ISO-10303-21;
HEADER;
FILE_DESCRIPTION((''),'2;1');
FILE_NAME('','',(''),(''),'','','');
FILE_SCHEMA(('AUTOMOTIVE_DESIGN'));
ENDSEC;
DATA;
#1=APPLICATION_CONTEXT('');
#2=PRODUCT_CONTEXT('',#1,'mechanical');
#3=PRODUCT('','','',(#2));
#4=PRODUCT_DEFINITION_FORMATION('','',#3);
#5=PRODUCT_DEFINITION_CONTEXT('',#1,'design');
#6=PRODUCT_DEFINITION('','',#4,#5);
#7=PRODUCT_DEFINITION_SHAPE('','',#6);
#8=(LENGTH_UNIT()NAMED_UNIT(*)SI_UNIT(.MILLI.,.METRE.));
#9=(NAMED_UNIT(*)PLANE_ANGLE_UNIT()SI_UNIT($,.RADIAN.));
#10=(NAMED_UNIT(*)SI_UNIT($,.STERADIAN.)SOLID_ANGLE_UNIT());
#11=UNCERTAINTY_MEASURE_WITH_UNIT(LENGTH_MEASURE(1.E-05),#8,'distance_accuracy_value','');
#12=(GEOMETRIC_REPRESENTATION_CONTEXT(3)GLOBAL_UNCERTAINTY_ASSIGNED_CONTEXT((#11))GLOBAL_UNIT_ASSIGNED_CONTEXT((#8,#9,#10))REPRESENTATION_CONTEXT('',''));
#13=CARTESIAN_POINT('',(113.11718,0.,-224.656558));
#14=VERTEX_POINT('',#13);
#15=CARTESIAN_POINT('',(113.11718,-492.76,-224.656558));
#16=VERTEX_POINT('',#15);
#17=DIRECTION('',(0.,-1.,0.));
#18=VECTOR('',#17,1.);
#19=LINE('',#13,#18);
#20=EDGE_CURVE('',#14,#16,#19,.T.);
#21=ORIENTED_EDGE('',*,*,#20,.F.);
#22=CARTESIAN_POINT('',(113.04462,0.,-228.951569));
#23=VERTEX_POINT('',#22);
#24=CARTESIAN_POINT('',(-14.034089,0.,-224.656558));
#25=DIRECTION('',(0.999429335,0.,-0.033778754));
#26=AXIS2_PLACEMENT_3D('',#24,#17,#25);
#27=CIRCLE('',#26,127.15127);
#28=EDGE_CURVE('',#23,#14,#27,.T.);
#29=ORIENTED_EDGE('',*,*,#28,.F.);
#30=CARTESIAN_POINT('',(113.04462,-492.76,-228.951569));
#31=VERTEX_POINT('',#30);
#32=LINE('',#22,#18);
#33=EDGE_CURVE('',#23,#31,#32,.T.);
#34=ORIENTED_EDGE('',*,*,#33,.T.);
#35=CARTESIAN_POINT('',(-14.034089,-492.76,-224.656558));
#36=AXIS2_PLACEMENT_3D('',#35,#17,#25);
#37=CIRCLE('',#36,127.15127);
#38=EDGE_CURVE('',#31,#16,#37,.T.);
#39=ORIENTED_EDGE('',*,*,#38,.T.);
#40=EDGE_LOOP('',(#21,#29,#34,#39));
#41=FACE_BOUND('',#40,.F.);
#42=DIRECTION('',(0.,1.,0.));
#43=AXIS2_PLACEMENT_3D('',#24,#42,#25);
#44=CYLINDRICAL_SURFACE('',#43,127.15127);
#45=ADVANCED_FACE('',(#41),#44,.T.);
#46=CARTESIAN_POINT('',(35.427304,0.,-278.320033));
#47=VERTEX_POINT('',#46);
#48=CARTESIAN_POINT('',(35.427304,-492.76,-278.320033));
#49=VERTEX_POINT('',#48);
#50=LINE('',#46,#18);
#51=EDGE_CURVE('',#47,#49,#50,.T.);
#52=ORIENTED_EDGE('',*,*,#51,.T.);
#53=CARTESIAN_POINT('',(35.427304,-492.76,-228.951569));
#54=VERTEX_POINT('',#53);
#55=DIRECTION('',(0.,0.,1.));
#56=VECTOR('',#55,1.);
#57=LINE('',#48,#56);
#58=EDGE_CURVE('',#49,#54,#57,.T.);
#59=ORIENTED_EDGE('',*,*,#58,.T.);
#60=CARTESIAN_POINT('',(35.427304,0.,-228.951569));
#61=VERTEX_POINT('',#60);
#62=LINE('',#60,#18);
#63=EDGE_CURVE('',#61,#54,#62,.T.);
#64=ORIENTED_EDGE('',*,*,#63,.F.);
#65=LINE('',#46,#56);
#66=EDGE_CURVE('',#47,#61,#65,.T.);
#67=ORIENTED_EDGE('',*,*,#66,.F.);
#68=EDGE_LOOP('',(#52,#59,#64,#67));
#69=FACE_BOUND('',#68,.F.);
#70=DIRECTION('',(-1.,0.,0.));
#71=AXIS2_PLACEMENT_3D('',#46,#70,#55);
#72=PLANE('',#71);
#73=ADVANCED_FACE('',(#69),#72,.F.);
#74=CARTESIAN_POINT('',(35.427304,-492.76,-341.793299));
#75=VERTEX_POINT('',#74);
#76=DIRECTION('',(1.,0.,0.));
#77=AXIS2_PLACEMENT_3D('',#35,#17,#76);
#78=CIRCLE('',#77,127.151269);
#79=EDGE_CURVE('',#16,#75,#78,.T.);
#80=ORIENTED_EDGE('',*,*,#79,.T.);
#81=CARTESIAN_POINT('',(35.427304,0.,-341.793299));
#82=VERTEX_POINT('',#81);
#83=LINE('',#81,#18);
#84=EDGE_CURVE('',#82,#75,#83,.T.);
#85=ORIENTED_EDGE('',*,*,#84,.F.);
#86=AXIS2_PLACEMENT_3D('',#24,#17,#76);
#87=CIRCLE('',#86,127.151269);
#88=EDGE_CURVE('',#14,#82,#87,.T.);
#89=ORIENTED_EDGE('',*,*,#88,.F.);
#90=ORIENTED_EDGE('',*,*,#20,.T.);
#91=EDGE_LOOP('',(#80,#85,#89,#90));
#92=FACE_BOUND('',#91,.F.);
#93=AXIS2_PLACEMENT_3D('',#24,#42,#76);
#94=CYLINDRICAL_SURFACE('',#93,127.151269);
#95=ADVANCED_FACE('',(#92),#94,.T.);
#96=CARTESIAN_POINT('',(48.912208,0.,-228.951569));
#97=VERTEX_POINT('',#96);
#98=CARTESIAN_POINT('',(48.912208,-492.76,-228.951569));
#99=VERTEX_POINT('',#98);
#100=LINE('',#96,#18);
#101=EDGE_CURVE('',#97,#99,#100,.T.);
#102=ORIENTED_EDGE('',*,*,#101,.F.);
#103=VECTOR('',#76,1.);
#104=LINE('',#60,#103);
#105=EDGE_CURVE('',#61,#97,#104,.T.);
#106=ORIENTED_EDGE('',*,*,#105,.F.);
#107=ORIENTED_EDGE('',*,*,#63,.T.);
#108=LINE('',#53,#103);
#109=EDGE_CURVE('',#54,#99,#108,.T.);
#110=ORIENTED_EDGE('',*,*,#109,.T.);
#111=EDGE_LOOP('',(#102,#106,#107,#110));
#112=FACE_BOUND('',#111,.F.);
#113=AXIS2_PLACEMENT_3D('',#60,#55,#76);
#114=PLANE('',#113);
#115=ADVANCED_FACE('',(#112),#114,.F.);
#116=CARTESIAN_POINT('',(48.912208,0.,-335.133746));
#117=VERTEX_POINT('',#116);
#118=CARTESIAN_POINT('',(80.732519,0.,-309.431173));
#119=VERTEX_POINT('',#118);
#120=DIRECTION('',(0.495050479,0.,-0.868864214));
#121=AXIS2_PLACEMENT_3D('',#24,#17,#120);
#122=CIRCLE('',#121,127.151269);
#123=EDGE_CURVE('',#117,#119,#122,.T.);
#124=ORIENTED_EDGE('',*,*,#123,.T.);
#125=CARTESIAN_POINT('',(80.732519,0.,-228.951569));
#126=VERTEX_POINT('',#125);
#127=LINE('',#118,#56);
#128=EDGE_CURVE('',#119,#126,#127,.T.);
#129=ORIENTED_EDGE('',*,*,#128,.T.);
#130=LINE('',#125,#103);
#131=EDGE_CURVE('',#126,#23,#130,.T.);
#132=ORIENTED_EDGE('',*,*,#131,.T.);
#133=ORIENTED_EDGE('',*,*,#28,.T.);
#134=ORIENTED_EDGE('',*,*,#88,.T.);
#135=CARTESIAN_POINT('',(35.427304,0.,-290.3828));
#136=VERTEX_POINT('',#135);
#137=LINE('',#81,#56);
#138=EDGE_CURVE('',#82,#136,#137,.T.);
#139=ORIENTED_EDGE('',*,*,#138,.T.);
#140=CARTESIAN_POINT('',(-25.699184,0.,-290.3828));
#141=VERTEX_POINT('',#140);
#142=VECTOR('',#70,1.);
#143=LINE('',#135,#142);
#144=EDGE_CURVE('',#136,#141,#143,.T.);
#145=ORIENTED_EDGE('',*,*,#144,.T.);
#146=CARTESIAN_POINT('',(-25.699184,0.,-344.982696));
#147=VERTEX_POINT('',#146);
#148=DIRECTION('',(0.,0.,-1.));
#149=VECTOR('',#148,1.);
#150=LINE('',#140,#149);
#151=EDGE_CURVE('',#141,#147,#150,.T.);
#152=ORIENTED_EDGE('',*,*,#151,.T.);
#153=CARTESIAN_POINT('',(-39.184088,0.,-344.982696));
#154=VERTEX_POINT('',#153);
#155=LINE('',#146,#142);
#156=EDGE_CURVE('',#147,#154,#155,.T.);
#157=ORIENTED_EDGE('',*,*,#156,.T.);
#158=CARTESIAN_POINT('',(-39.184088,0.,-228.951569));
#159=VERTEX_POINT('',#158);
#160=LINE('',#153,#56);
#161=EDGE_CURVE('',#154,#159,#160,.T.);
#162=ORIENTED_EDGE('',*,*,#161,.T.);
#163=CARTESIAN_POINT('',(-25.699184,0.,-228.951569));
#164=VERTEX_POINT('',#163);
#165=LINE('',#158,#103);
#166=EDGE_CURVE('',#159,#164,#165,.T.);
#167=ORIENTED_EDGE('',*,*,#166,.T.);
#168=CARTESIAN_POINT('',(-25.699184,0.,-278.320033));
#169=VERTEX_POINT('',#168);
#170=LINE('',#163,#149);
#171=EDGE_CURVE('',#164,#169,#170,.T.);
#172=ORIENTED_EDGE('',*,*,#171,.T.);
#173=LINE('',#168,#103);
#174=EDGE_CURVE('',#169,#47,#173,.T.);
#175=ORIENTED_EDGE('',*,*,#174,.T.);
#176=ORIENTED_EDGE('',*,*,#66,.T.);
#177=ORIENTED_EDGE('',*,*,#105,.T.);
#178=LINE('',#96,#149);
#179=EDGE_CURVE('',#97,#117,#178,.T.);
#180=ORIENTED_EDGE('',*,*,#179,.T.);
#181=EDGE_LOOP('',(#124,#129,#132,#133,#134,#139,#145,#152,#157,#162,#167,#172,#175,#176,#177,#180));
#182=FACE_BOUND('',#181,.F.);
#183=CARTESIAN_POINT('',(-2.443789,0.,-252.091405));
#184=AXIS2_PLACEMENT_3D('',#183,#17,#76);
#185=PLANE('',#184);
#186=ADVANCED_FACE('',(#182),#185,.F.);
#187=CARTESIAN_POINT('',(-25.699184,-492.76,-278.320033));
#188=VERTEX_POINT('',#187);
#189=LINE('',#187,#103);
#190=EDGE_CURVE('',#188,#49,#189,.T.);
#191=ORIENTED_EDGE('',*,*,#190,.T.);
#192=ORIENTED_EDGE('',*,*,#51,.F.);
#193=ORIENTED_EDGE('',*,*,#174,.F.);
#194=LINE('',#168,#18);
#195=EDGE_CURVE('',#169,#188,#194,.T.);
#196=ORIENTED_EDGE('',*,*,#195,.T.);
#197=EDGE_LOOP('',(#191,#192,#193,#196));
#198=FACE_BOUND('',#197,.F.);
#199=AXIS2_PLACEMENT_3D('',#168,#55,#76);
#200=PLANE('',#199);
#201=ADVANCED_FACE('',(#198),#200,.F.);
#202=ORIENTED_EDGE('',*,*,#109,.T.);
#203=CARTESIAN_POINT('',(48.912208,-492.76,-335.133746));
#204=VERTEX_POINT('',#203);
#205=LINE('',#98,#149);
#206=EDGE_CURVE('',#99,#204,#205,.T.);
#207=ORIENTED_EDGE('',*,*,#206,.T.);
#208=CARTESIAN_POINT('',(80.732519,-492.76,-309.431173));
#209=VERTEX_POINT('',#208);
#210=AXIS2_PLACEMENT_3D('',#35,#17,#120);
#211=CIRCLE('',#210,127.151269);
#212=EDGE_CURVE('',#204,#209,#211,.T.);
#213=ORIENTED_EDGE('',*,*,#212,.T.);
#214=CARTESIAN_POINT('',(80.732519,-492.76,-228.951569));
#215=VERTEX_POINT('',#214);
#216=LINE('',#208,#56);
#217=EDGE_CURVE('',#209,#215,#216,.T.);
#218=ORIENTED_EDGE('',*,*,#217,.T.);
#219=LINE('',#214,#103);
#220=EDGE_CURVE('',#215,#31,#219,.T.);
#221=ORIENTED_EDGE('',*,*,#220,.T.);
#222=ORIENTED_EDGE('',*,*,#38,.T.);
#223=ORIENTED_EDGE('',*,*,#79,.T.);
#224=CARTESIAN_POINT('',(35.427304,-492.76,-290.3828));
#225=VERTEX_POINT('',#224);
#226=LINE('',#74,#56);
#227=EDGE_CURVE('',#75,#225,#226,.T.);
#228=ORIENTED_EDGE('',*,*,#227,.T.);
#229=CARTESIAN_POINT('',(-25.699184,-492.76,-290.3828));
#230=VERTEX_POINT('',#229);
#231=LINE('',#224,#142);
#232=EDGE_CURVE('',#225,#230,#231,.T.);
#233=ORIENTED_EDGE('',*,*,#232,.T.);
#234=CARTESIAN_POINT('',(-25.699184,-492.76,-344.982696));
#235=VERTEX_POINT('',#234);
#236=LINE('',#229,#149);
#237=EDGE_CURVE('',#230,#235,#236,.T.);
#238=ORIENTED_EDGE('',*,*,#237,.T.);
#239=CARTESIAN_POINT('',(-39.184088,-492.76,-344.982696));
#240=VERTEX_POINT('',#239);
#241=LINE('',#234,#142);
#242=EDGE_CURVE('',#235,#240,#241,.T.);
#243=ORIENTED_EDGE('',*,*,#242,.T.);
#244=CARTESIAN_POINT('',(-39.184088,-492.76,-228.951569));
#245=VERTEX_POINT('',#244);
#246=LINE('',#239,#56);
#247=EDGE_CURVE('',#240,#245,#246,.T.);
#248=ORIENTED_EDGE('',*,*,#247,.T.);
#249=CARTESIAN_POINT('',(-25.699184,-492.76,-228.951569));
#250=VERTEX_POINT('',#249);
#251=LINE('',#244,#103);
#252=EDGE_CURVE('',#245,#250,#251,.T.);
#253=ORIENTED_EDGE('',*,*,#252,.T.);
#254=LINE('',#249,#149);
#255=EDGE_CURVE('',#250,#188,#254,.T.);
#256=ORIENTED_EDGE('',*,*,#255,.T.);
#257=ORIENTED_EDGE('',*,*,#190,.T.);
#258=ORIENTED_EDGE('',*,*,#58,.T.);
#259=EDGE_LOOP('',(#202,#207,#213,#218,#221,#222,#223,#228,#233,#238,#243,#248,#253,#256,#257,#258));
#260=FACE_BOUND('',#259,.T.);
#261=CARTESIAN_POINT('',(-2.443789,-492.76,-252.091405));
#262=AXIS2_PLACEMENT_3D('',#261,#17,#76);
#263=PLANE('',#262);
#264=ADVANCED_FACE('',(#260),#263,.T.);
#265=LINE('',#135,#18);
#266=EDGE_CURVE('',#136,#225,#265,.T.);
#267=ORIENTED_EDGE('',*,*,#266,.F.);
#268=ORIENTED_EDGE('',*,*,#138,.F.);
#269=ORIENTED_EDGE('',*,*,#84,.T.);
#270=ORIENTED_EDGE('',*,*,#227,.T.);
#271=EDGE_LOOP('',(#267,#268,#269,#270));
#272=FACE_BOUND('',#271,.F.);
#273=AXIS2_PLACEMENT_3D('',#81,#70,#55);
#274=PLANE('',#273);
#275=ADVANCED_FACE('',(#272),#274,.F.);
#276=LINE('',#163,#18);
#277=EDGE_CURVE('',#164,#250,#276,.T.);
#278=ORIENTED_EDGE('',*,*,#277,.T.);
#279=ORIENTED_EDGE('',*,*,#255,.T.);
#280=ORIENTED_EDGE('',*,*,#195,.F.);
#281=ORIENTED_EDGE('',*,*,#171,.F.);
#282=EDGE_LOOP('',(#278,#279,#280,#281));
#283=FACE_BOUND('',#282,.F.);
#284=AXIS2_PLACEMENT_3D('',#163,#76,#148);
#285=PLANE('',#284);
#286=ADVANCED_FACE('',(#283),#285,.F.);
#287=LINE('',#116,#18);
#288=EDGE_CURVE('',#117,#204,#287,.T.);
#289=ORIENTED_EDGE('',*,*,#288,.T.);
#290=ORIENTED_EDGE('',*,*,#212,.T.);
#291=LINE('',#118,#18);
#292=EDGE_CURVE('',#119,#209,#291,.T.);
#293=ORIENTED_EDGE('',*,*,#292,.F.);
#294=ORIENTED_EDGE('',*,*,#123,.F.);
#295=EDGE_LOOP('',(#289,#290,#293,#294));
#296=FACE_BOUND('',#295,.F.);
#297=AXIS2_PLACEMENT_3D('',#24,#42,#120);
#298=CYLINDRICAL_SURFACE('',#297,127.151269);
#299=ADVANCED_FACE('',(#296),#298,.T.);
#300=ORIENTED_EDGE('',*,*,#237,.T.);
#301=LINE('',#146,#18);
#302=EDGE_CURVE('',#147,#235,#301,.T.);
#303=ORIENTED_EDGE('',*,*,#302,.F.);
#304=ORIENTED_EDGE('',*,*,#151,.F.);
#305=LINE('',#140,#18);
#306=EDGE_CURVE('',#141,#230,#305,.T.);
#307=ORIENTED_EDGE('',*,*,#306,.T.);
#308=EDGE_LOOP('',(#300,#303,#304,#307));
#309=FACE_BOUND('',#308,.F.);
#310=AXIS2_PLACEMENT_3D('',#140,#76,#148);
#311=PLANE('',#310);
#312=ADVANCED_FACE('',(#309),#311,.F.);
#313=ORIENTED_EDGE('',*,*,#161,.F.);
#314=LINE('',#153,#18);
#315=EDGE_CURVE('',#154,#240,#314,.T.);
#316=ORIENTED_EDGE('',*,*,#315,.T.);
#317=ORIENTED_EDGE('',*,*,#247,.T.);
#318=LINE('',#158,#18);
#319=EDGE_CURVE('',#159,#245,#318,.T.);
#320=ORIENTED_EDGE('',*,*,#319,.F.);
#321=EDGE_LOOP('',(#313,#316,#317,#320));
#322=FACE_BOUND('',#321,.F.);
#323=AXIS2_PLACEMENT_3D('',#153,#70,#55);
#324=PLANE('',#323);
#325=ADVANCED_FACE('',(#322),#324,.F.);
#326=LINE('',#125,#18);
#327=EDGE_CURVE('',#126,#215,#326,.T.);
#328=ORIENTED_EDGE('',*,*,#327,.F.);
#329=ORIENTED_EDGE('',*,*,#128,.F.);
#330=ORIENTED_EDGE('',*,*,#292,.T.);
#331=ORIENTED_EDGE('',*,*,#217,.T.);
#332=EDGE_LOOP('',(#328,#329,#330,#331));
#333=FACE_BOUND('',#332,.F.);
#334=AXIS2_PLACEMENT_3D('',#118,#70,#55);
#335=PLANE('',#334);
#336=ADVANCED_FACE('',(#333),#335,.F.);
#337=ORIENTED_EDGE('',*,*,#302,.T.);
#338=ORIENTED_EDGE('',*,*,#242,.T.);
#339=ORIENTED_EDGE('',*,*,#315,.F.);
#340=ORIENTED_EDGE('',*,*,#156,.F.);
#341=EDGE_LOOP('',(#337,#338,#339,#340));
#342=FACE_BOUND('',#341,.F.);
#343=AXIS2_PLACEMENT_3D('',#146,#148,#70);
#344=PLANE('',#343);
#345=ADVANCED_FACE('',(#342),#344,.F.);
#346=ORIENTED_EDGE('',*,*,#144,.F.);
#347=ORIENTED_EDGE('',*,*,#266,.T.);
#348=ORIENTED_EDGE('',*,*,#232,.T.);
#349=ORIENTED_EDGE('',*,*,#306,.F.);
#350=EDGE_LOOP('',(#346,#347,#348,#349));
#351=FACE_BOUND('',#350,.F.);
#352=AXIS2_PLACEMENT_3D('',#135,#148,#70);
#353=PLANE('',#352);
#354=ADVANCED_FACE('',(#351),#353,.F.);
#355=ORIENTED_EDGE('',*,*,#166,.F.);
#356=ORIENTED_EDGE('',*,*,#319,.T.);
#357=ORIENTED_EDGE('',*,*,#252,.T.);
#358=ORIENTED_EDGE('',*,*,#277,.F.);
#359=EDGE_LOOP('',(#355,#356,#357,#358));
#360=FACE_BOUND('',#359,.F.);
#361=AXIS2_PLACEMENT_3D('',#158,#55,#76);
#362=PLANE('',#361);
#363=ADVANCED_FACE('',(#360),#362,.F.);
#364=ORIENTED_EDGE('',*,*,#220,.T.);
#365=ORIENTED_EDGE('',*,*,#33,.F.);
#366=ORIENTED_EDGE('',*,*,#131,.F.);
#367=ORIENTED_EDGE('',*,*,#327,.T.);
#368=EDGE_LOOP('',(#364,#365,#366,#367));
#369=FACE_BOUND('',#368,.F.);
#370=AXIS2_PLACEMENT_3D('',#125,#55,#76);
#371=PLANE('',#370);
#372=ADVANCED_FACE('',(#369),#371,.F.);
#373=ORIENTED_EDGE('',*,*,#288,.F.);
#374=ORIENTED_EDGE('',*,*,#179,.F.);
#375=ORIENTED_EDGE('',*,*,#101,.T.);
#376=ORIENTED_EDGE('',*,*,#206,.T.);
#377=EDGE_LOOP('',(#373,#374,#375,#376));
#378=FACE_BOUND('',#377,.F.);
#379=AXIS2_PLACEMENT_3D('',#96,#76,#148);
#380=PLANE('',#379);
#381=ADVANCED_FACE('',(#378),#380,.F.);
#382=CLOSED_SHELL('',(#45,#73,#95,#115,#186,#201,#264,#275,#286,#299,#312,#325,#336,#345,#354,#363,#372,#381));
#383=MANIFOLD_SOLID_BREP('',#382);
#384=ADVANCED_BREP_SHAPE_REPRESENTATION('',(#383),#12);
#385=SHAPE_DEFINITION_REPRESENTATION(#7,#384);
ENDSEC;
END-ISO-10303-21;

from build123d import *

# Parameters (mm, degrees)
F1_DEPTH = 492.76


with BuildPart() as f1:
    # F0 (on Front) → F1 (new body)
    with BuildSketch(Plane.XZ):
        with BuildLine():
            ThreePointArc((113.0446196853, -228.9515694952), (113.0990389698, -226.8043702106), (113.1171804569, -224.6565580416))
            ThreePointArc((113.1171804569, -224.6565580416), (-119.9975831413, -154.377235069), (35.4273035366, -341.7932985377))
            Line((35.4273035366, -341.7932985377), (35.4273035366, -290.3828003979))
            Line((35.4273035366, -290.3828003979), (-25.699183765, -290.3828003979))
            Line((-25.699183765, -290.3828003979), (-25.699183765, -344.982695578))
            Line((-25.699183765, -344.982695578), (-39.1840881095, -344.982695578))
            Line((-39.1840881095, -344.982695578), (-39.1840881095, -228.9515694952))
            Line((-39.1840881095, -228.9515694952), (-25.699183765, -228.9515694952))
            Line((-25.699183765, -228.9515694952), (-25.699183765, -278.3200328581))
            Line((-25.699183765, -278.3200328581), (35.4273035366, -278.3200328581))
            Line((35.4273035366, -278.3200328581), (35.4273035366, -228.9515694952))
            Line((35.4273035366, -228.9515694952), (48.9122078811, -228.9515694952))
            Line((48.9122078811, -228.9515694952), (48.9122078811, -335.133745888))
            ThreePointArc((48.9122078811, -335.133745888), (65.8626921915, -323.5704078326), (80.7325188861, -309.4311730792))
            Line((80.7325188861, -309.4311730792), (80.7325188861, -228.9515694952))
            Line((80.7325188861, -228.9515694952), (113.0446196853, -228.9515694952))
        make_face()
    extrude(amount=F1_DEPTH)


solid = f1.part
